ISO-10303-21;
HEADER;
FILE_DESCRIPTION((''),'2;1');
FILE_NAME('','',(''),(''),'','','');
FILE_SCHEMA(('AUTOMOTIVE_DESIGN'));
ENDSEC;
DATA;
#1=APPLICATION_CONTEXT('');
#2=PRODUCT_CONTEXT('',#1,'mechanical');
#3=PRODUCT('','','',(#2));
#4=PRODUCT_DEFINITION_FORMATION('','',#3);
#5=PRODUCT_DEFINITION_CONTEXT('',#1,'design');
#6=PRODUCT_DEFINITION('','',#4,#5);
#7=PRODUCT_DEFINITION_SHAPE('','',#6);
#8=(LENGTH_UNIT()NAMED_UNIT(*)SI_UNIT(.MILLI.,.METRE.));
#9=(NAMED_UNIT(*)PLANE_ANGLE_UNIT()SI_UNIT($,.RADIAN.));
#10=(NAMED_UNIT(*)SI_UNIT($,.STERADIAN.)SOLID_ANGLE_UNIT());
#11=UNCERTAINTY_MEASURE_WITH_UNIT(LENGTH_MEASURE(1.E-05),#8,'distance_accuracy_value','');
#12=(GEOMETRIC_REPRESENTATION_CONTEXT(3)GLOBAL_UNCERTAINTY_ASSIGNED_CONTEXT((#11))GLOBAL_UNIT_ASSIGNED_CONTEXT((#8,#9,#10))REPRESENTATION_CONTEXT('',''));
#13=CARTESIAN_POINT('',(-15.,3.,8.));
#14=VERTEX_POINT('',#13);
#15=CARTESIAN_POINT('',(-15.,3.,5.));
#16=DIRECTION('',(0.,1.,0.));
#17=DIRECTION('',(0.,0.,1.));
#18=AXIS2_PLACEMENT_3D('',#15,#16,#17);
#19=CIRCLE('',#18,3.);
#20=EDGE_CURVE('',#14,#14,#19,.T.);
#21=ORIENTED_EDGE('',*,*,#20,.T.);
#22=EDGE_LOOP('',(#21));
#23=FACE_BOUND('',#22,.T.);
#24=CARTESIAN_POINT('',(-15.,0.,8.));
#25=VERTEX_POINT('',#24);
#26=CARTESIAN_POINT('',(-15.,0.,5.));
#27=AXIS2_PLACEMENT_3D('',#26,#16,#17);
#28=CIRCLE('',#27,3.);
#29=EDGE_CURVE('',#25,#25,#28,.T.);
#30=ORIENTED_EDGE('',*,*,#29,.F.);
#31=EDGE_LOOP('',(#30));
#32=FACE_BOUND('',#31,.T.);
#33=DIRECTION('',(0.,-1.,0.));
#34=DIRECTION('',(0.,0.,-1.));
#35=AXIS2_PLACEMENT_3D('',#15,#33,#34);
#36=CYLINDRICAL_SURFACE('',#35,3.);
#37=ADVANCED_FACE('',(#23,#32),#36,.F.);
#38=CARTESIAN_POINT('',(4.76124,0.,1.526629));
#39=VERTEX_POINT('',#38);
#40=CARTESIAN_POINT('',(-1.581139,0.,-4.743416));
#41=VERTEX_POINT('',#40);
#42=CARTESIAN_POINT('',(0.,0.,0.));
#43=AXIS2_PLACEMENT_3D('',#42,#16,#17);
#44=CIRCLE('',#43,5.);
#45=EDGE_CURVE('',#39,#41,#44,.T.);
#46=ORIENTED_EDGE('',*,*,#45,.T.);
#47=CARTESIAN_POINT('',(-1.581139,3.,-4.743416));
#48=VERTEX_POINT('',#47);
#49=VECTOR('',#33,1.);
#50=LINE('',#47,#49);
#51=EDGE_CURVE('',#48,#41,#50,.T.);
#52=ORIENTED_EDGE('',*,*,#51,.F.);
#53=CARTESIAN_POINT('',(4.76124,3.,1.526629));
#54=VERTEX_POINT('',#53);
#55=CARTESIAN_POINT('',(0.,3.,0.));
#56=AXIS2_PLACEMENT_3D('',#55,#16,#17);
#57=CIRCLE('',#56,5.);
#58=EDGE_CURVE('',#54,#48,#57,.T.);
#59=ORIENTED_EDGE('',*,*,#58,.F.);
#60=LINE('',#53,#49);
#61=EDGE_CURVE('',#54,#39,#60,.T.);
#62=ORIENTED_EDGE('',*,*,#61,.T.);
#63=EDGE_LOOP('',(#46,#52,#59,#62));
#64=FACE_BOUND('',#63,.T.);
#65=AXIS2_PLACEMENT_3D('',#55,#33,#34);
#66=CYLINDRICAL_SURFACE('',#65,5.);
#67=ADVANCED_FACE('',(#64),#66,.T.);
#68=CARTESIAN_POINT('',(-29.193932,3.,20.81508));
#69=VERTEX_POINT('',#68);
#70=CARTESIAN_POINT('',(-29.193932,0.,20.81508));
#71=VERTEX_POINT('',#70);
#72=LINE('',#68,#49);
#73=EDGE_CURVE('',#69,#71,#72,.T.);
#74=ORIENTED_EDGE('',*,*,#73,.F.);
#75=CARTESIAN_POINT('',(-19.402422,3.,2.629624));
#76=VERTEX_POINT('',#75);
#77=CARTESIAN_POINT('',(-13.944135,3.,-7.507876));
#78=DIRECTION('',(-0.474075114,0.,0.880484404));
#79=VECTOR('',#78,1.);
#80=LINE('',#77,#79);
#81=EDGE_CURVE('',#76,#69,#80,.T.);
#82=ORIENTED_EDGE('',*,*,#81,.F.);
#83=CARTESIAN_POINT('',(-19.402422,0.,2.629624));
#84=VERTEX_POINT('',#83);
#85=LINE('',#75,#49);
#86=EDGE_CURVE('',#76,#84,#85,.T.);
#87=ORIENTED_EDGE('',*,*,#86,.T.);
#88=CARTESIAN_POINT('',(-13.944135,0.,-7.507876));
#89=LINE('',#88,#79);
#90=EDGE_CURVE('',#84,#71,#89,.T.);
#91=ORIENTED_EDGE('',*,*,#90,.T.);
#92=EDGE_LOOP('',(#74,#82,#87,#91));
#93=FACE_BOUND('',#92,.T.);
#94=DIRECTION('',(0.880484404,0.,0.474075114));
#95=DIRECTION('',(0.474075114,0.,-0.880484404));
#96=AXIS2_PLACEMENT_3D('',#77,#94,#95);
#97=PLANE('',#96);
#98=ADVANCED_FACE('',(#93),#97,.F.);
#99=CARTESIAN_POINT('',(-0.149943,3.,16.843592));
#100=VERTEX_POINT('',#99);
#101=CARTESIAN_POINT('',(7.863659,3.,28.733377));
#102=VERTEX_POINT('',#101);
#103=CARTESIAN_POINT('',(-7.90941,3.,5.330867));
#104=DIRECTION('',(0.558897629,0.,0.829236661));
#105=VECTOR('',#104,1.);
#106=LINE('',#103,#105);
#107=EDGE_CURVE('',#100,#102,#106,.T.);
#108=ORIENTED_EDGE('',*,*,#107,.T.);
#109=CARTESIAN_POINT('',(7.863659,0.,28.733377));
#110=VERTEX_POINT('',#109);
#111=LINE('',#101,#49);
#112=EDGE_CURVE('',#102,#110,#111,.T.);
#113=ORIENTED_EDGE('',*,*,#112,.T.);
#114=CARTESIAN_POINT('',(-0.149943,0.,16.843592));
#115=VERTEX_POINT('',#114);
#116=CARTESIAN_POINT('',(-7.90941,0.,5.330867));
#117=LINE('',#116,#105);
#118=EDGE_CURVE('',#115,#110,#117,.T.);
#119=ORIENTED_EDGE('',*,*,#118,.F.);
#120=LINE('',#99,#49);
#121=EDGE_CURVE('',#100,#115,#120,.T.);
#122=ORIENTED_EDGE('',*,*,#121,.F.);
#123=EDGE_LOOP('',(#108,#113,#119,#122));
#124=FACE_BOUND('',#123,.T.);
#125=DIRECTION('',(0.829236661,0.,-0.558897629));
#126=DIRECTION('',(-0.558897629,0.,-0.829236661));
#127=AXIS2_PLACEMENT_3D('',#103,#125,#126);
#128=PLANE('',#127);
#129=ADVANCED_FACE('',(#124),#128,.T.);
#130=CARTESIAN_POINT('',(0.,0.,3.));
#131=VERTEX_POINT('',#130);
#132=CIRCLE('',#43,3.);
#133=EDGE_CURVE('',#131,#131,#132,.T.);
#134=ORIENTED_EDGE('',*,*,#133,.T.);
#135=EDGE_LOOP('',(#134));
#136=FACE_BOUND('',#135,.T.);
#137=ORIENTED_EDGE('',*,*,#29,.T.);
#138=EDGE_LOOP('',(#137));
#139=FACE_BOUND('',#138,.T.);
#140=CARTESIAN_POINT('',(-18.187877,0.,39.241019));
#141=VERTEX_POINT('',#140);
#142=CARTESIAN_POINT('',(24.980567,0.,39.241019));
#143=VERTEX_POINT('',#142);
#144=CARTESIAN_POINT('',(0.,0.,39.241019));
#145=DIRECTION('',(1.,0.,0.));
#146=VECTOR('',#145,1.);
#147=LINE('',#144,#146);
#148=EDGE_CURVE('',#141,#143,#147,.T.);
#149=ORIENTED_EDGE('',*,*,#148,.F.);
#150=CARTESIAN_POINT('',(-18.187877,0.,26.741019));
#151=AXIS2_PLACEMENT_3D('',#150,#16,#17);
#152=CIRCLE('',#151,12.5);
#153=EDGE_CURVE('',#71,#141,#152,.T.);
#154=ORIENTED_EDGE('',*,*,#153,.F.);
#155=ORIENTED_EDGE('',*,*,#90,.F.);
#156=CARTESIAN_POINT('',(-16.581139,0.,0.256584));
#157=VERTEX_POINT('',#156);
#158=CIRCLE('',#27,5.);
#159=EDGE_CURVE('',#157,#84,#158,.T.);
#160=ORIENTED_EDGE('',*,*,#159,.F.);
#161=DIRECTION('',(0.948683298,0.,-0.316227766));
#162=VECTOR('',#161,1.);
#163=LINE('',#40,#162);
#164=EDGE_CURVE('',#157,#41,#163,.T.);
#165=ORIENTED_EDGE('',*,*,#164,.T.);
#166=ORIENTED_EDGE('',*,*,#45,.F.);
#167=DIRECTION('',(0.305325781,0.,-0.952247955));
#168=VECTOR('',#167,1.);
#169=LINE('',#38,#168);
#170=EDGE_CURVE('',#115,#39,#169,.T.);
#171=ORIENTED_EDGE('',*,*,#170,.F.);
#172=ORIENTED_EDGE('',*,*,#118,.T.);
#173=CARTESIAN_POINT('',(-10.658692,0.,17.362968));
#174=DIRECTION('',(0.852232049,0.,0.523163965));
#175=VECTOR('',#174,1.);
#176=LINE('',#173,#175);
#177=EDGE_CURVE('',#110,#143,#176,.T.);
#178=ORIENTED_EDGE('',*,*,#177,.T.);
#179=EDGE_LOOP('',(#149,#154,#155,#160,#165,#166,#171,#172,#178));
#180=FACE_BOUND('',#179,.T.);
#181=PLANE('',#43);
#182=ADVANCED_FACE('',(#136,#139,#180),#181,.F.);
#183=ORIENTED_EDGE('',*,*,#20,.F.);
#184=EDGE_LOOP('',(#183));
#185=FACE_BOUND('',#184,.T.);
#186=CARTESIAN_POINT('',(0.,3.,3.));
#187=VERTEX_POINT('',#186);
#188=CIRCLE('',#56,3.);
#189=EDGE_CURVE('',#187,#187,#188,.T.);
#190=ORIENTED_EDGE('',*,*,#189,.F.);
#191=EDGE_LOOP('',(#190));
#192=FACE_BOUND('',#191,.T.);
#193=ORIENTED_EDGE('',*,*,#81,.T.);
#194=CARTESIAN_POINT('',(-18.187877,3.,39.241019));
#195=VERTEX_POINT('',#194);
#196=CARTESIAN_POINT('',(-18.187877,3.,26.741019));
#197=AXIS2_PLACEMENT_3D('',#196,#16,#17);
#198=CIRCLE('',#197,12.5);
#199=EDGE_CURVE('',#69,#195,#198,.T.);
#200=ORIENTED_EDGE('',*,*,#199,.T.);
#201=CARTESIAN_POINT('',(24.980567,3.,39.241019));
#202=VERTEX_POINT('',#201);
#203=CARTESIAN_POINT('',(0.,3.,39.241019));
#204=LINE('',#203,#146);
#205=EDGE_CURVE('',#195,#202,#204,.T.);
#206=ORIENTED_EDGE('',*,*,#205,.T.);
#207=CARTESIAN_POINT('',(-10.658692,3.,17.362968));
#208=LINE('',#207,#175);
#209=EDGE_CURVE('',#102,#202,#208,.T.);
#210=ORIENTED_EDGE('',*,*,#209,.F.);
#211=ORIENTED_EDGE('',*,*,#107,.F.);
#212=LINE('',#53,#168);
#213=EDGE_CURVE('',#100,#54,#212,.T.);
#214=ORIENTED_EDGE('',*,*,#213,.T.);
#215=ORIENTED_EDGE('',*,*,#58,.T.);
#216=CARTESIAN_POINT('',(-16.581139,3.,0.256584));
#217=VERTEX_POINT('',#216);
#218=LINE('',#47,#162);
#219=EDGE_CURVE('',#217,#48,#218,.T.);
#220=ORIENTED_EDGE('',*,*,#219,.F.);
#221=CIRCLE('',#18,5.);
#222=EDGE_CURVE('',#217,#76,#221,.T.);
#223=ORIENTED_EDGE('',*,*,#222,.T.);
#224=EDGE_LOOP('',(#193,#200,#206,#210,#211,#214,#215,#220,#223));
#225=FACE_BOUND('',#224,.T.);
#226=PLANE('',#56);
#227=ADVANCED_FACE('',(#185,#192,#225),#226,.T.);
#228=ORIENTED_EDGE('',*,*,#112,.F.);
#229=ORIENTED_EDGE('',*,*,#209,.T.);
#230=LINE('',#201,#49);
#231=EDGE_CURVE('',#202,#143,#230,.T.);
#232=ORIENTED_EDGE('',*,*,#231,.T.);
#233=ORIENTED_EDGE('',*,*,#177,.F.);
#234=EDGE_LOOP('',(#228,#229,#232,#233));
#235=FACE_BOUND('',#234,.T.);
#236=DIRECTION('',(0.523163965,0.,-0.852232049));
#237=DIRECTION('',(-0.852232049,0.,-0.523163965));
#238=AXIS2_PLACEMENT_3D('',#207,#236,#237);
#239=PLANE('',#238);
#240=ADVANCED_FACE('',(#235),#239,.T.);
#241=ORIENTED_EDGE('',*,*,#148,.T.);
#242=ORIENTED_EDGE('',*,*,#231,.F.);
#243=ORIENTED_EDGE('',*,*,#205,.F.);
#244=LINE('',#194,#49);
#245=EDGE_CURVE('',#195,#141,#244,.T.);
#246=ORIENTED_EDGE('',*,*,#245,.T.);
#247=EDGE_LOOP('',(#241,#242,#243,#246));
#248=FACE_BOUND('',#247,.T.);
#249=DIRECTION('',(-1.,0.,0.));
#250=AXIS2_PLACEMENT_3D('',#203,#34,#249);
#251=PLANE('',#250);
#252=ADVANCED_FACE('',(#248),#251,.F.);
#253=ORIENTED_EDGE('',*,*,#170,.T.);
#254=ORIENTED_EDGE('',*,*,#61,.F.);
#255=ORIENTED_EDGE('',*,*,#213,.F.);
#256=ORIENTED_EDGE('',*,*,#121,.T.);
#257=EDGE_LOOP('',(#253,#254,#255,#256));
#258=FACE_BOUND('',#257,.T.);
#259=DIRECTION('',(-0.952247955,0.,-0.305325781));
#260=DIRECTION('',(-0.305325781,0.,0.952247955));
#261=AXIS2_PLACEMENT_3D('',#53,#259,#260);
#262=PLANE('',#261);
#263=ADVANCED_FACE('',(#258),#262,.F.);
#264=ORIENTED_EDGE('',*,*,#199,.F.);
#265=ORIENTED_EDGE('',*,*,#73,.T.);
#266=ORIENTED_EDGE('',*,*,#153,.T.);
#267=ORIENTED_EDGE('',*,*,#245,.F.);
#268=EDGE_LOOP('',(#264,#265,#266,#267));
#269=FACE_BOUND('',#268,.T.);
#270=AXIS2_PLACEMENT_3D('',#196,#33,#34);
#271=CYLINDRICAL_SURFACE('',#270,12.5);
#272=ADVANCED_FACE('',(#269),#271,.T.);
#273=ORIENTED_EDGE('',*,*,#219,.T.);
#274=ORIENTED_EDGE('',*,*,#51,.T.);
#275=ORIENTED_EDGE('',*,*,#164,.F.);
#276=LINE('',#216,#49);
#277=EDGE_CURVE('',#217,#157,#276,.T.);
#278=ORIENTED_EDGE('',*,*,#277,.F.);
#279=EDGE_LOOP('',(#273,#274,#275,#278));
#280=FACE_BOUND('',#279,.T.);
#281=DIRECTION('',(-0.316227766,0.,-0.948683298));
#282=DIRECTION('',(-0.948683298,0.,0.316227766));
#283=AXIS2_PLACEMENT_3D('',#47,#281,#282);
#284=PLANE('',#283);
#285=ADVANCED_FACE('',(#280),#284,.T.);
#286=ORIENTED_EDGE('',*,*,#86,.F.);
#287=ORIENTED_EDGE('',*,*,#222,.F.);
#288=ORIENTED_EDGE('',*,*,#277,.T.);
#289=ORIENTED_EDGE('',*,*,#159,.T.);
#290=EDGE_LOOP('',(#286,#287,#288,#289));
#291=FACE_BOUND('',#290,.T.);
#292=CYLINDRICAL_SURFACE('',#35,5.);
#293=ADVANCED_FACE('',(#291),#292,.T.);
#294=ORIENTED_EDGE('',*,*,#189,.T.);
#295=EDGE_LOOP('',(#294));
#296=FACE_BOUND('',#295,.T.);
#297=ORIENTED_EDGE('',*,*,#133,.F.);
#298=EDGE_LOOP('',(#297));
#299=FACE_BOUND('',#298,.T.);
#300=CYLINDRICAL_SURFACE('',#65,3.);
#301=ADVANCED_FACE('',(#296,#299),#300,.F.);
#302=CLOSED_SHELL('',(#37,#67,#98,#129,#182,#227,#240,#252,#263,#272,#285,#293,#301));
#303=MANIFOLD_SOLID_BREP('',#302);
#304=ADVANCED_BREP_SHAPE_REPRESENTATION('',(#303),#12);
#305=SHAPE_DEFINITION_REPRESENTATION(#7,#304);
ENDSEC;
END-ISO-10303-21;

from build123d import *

# Parameters (mm, degrees)
SKETCH_2_R      = 12.5
SKETCH_2_R_2    = 5
SKETCH_2_R_3    = 3
EXTRUDE_1_DEPTH = 3


with BuildPart() as part:
    # 草图2 → 凸台-拉伸1 (new body)
    # profile 1 of 4: a face of its own
    with BuildSketch(Plane(origin=(0, 0, 0), x_dir=(1, 0, 0), z_dir=(0, 1, 0))):
        with BuildLine():
            Line((7.863659035, -28.733376736), (-0.149942941, -16.843591901))
            Line((-0.149942941, -16.843591901), (4.761239815, -1.526628777))
            ThreePointArc((4.761239815, -1.526628777), (-3.515199494, -3.555752033), (-1.58113883, 4.74341649))
            Line((-1.58113883, 4.74341649), (-16.58113883, -0.25658351))
            ThreePointArc((-16.58113883, -0.25658351), (-12.076448577, -0.943789074), (-10, -5))
            ThreePointArc((-10, -5), (-16.222270381, -9.848304355), (-19.402422046, -2.629624476))
            Line((-19.402422046, -2.629624476), (-29.193931666, -20.815079176))
            ThreePointArc((-29.193931666, -20.815079176), (-15.132200589, -14.620257894), (-5.687876925, -26.741018684))
            ThreePointArc((-5.687876925, -26.741018684), (-9.34904216, -35.579853449), (-18.187876925, -39.241018684))
            Line((-18.187876925, -39.241018684), (24.980566617, -39.241018684))
            Line((24.980566617, -39.241018684), (7.863659035, -28.733376736))
        make_face()
    # profile 2 of 4: a face of its own
    with BuildSketch(Plane(origin=(0, 0, 0), x_dir=(1, 0, 0), z_dir=(0, 1, 0))):
        with Locations((-18.187876925, -26.741018684)):
            Circle(SKETCH_2_R)
    # profile 3 of 4: a face of its own
    with BuildSketch(Plane(origin=(0, 0, 0), x_dir=(1, 0, 0), z_dir=(0, 1, 0))):
        with Locations((-15, -5)):
            Circle(SKETCH_2_R_2)
        with Locations(Location((-15, -5, 0), (0, 0, 270))):
            Circle(SKETCH_2_R_3, mode=Mode.SUBTRACT)
    # profile 4 of 4: a face of its own
    with BuildSketch(Plane(origin=(0, 0, 0), x_dir=(1, 0, 0), z_dir=(0, 1, 0))):
        Circle(SKETCH_2_R_2)
        with Locations(Location((0, 0, 0), (0, 0, 270))):
            Circle(SKETCH_2_R_3, mode=Mode.SUBTRACT)
    extrude(amount=EXTRUDE_1_DEPTH)


solid = part.part
